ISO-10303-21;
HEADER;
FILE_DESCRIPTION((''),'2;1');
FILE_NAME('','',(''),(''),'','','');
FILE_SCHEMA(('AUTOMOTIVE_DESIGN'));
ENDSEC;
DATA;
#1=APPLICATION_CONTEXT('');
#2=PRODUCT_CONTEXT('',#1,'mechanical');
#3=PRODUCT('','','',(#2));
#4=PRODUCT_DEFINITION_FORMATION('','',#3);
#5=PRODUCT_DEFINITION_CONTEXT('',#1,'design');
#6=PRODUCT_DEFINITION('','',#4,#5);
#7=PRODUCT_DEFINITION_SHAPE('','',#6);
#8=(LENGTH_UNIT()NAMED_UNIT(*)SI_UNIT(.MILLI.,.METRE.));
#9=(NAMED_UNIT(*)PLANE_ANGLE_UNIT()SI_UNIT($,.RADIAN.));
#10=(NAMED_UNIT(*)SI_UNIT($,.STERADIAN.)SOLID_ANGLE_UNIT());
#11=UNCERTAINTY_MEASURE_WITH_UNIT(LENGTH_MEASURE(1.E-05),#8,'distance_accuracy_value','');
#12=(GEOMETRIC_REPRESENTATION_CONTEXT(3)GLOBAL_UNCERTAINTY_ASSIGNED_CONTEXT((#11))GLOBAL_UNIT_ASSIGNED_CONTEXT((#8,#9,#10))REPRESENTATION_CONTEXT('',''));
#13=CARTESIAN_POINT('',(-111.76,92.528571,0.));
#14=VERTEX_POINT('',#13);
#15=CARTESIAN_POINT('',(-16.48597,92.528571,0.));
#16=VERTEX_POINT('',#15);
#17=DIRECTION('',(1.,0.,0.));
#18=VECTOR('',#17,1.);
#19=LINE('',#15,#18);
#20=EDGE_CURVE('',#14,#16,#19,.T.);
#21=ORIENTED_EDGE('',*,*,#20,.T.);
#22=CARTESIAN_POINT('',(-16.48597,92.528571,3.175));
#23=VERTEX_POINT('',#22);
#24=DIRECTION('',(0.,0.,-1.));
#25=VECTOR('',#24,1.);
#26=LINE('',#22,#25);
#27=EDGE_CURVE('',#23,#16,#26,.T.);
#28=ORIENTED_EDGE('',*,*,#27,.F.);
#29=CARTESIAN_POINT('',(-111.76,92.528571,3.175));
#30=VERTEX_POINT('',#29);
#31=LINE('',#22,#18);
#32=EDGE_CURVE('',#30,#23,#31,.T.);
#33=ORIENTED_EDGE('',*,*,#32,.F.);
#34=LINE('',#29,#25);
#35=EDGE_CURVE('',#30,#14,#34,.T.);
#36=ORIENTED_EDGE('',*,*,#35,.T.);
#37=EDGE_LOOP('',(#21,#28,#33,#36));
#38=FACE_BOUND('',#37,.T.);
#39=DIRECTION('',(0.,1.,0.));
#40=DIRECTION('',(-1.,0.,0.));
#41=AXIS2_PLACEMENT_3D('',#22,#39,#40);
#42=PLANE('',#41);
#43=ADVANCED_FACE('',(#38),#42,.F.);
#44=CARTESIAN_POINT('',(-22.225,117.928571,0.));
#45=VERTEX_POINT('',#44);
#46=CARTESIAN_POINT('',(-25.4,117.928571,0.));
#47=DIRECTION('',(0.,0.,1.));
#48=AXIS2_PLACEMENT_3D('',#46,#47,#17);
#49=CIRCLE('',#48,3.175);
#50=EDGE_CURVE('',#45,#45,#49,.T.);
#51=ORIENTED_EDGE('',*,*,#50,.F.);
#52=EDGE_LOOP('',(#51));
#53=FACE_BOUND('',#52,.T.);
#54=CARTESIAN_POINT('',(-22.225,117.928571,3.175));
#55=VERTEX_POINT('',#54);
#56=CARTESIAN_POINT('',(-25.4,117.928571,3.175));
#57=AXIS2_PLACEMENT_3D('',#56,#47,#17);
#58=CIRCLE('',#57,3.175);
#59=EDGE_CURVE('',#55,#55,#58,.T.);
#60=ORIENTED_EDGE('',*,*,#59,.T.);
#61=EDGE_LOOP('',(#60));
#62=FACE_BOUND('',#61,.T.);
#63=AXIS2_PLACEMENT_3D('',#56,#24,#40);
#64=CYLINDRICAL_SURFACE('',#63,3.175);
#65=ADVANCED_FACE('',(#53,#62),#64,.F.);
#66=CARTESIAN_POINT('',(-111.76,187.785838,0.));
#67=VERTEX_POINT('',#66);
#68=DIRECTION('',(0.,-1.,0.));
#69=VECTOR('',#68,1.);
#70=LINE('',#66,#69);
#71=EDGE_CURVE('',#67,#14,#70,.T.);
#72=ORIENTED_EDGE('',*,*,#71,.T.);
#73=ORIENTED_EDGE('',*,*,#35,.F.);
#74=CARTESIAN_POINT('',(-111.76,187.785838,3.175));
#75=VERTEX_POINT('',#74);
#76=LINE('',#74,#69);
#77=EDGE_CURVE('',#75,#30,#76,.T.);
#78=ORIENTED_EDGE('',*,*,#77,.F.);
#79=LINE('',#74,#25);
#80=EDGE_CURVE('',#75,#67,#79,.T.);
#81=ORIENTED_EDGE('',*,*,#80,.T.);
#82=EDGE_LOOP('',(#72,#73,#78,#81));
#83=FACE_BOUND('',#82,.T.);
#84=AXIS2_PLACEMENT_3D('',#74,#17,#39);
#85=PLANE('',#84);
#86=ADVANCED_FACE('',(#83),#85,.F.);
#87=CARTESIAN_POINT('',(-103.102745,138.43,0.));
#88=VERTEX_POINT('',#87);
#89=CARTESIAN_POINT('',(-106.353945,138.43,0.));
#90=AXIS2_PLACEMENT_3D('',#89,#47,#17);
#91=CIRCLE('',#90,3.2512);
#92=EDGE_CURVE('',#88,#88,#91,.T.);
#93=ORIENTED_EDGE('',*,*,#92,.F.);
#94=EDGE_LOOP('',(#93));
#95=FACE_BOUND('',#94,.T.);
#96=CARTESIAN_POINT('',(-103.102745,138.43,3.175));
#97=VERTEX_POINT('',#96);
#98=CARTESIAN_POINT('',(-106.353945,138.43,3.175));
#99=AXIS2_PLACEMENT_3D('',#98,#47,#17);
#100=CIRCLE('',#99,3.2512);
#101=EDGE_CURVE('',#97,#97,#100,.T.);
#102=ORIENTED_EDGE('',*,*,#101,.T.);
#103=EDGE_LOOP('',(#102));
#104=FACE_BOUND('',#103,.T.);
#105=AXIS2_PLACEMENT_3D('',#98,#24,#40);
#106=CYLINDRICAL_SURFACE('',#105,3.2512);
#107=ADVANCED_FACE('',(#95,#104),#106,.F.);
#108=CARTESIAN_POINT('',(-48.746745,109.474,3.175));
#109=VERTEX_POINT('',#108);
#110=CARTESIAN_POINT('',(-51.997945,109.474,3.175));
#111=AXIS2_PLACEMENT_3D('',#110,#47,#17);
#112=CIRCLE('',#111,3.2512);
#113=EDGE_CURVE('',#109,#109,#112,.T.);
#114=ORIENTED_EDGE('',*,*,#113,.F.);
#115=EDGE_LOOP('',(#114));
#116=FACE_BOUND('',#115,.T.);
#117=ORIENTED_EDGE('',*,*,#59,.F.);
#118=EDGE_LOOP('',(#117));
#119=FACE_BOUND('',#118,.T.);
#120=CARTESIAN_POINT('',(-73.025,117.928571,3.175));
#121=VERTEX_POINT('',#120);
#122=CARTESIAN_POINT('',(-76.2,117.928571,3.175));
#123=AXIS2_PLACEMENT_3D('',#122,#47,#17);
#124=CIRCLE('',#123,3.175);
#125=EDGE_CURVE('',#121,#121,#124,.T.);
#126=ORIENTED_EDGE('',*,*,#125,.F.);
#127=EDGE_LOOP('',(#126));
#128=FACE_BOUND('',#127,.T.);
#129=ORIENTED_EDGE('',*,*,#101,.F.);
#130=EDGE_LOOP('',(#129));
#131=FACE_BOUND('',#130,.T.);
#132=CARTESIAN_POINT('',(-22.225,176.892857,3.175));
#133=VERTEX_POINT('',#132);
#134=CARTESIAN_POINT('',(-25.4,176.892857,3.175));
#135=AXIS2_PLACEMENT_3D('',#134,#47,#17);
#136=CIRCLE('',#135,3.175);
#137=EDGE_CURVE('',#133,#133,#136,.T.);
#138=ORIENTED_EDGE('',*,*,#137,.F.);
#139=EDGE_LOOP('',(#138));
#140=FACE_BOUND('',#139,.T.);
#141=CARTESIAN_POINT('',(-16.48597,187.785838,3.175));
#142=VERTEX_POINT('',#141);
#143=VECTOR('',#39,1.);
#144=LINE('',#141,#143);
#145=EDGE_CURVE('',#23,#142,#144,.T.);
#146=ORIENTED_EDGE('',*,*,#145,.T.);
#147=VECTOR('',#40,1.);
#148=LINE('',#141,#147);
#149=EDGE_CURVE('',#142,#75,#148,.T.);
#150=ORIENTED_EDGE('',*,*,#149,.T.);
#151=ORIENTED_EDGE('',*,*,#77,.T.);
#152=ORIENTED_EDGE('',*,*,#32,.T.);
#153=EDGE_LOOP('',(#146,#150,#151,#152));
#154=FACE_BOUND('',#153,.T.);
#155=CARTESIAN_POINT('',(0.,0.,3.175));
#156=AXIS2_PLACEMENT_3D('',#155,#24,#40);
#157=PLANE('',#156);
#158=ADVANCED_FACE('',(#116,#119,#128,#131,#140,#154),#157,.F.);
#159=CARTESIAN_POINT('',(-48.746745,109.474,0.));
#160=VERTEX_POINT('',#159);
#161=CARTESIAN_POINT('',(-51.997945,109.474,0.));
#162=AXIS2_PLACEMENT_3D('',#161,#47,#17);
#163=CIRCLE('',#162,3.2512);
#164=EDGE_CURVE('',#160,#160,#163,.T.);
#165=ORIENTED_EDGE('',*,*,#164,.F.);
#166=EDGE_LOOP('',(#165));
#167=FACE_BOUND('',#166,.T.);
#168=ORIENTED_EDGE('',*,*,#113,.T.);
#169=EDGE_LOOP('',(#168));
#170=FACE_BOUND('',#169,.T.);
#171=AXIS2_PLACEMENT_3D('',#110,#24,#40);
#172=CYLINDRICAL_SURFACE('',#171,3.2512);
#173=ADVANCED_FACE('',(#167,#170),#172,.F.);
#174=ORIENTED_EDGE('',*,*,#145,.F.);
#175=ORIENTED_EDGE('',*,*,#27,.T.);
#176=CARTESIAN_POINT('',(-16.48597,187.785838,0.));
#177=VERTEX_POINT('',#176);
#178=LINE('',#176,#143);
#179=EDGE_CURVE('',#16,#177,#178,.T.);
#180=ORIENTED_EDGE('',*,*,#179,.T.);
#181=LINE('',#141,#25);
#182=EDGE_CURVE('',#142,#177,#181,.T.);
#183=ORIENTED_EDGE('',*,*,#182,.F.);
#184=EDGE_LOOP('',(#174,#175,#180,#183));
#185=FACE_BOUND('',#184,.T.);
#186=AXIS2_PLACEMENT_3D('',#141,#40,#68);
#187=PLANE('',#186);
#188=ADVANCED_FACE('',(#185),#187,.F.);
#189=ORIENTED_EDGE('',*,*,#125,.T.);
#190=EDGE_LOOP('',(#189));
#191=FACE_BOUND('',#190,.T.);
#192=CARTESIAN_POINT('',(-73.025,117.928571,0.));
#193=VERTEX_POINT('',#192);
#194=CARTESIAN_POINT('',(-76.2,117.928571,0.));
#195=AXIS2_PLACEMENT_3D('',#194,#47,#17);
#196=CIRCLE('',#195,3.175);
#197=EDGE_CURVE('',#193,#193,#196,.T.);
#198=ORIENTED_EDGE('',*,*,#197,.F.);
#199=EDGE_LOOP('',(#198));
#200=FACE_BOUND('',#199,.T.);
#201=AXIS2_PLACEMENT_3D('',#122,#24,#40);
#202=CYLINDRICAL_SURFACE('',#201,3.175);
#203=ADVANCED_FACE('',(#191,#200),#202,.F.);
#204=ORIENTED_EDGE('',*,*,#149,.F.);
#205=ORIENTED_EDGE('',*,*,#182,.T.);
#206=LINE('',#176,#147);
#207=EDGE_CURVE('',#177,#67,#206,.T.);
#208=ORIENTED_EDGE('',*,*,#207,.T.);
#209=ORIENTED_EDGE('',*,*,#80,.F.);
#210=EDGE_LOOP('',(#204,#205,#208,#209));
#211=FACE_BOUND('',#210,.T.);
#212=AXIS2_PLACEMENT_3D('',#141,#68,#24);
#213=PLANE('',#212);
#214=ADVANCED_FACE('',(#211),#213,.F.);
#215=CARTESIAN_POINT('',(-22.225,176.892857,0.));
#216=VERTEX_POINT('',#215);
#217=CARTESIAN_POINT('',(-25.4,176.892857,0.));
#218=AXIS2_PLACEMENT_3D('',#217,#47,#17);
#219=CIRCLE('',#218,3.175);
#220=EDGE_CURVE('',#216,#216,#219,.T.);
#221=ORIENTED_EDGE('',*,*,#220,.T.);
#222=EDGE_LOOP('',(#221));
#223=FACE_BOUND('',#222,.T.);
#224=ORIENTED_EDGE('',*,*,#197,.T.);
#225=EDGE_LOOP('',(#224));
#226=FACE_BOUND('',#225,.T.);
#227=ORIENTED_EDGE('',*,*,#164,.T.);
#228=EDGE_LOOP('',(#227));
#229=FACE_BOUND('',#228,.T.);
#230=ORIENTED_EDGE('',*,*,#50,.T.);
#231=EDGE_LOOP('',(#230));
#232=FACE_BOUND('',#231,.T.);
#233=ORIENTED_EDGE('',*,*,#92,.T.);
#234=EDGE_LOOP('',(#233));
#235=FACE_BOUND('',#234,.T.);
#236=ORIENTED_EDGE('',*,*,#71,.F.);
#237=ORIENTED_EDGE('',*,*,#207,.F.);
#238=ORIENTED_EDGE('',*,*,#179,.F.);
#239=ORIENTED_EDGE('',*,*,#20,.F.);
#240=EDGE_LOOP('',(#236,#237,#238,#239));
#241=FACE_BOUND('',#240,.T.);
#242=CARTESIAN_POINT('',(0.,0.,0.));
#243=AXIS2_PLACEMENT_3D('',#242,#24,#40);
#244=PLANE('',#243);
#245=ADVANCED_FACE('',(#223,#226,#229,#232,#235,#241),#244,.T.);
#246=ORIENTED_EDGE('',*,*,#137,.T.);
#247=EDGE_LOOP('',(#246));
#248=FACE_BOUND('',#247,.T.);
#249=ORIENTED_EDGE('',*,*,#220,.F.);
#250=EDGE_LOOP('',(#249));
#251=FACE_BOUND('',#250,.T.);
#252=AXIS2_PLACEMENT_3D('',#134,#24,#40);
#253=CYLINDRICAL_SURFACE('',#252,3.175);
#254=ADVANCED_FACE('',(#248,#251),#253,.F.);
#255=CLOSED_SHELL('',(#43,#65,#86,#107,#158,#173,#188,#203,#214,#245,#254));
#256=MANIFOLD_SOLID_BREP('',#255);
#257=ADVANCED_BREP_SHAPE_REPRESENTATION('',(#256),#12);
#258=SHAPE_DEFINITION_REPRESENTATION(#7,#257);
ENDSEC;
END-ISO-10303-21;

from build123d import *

# Parameters (mm, degrees)
SKETCH1_W           = 95.27402969
SKETCH1_H           = 95.257266492
SKETCH1_R           = 3.175
SKETCH1_R_2         = 3.2512
BOSS_EXTRUDE1_DEPTH = 3.175


with BuildPart() as part:
    # Sketch1 → Boss-Extrude1 (new body)
    with BuildSketch(Plane.XY):
        with Locations((-64.122985155, 140.157204675)):
            Rectangle(SKETCH1_W, SKETCH1_H)
        with Locations((-25.4, 176.892857143)):
            Circle(SKETCH1_R, mode=Mode.SUBTRACT)
        with Locations((-25.4, 117.928571429)):
            Circle(SKETCH1_R, mode=Mode.SUBTRACT)
        with Locations((-76.2, 117.928571429)):
            Circle(SKETCH1_R, mode=Mode.SUBTRACT)
        with Locations((-51.997945025, 109.474)):
            Circle(SKETCH1_R_2, mode=Mode.SUBTRACT)
        with Locations((-106.353945025, 138.43)):
            Circle(SKETCH1_R_2, mode=Mode.SUBTRACT)
    extrude(amount=BOSS_EXTRUDE1_DEPTH)


solid = part.part
